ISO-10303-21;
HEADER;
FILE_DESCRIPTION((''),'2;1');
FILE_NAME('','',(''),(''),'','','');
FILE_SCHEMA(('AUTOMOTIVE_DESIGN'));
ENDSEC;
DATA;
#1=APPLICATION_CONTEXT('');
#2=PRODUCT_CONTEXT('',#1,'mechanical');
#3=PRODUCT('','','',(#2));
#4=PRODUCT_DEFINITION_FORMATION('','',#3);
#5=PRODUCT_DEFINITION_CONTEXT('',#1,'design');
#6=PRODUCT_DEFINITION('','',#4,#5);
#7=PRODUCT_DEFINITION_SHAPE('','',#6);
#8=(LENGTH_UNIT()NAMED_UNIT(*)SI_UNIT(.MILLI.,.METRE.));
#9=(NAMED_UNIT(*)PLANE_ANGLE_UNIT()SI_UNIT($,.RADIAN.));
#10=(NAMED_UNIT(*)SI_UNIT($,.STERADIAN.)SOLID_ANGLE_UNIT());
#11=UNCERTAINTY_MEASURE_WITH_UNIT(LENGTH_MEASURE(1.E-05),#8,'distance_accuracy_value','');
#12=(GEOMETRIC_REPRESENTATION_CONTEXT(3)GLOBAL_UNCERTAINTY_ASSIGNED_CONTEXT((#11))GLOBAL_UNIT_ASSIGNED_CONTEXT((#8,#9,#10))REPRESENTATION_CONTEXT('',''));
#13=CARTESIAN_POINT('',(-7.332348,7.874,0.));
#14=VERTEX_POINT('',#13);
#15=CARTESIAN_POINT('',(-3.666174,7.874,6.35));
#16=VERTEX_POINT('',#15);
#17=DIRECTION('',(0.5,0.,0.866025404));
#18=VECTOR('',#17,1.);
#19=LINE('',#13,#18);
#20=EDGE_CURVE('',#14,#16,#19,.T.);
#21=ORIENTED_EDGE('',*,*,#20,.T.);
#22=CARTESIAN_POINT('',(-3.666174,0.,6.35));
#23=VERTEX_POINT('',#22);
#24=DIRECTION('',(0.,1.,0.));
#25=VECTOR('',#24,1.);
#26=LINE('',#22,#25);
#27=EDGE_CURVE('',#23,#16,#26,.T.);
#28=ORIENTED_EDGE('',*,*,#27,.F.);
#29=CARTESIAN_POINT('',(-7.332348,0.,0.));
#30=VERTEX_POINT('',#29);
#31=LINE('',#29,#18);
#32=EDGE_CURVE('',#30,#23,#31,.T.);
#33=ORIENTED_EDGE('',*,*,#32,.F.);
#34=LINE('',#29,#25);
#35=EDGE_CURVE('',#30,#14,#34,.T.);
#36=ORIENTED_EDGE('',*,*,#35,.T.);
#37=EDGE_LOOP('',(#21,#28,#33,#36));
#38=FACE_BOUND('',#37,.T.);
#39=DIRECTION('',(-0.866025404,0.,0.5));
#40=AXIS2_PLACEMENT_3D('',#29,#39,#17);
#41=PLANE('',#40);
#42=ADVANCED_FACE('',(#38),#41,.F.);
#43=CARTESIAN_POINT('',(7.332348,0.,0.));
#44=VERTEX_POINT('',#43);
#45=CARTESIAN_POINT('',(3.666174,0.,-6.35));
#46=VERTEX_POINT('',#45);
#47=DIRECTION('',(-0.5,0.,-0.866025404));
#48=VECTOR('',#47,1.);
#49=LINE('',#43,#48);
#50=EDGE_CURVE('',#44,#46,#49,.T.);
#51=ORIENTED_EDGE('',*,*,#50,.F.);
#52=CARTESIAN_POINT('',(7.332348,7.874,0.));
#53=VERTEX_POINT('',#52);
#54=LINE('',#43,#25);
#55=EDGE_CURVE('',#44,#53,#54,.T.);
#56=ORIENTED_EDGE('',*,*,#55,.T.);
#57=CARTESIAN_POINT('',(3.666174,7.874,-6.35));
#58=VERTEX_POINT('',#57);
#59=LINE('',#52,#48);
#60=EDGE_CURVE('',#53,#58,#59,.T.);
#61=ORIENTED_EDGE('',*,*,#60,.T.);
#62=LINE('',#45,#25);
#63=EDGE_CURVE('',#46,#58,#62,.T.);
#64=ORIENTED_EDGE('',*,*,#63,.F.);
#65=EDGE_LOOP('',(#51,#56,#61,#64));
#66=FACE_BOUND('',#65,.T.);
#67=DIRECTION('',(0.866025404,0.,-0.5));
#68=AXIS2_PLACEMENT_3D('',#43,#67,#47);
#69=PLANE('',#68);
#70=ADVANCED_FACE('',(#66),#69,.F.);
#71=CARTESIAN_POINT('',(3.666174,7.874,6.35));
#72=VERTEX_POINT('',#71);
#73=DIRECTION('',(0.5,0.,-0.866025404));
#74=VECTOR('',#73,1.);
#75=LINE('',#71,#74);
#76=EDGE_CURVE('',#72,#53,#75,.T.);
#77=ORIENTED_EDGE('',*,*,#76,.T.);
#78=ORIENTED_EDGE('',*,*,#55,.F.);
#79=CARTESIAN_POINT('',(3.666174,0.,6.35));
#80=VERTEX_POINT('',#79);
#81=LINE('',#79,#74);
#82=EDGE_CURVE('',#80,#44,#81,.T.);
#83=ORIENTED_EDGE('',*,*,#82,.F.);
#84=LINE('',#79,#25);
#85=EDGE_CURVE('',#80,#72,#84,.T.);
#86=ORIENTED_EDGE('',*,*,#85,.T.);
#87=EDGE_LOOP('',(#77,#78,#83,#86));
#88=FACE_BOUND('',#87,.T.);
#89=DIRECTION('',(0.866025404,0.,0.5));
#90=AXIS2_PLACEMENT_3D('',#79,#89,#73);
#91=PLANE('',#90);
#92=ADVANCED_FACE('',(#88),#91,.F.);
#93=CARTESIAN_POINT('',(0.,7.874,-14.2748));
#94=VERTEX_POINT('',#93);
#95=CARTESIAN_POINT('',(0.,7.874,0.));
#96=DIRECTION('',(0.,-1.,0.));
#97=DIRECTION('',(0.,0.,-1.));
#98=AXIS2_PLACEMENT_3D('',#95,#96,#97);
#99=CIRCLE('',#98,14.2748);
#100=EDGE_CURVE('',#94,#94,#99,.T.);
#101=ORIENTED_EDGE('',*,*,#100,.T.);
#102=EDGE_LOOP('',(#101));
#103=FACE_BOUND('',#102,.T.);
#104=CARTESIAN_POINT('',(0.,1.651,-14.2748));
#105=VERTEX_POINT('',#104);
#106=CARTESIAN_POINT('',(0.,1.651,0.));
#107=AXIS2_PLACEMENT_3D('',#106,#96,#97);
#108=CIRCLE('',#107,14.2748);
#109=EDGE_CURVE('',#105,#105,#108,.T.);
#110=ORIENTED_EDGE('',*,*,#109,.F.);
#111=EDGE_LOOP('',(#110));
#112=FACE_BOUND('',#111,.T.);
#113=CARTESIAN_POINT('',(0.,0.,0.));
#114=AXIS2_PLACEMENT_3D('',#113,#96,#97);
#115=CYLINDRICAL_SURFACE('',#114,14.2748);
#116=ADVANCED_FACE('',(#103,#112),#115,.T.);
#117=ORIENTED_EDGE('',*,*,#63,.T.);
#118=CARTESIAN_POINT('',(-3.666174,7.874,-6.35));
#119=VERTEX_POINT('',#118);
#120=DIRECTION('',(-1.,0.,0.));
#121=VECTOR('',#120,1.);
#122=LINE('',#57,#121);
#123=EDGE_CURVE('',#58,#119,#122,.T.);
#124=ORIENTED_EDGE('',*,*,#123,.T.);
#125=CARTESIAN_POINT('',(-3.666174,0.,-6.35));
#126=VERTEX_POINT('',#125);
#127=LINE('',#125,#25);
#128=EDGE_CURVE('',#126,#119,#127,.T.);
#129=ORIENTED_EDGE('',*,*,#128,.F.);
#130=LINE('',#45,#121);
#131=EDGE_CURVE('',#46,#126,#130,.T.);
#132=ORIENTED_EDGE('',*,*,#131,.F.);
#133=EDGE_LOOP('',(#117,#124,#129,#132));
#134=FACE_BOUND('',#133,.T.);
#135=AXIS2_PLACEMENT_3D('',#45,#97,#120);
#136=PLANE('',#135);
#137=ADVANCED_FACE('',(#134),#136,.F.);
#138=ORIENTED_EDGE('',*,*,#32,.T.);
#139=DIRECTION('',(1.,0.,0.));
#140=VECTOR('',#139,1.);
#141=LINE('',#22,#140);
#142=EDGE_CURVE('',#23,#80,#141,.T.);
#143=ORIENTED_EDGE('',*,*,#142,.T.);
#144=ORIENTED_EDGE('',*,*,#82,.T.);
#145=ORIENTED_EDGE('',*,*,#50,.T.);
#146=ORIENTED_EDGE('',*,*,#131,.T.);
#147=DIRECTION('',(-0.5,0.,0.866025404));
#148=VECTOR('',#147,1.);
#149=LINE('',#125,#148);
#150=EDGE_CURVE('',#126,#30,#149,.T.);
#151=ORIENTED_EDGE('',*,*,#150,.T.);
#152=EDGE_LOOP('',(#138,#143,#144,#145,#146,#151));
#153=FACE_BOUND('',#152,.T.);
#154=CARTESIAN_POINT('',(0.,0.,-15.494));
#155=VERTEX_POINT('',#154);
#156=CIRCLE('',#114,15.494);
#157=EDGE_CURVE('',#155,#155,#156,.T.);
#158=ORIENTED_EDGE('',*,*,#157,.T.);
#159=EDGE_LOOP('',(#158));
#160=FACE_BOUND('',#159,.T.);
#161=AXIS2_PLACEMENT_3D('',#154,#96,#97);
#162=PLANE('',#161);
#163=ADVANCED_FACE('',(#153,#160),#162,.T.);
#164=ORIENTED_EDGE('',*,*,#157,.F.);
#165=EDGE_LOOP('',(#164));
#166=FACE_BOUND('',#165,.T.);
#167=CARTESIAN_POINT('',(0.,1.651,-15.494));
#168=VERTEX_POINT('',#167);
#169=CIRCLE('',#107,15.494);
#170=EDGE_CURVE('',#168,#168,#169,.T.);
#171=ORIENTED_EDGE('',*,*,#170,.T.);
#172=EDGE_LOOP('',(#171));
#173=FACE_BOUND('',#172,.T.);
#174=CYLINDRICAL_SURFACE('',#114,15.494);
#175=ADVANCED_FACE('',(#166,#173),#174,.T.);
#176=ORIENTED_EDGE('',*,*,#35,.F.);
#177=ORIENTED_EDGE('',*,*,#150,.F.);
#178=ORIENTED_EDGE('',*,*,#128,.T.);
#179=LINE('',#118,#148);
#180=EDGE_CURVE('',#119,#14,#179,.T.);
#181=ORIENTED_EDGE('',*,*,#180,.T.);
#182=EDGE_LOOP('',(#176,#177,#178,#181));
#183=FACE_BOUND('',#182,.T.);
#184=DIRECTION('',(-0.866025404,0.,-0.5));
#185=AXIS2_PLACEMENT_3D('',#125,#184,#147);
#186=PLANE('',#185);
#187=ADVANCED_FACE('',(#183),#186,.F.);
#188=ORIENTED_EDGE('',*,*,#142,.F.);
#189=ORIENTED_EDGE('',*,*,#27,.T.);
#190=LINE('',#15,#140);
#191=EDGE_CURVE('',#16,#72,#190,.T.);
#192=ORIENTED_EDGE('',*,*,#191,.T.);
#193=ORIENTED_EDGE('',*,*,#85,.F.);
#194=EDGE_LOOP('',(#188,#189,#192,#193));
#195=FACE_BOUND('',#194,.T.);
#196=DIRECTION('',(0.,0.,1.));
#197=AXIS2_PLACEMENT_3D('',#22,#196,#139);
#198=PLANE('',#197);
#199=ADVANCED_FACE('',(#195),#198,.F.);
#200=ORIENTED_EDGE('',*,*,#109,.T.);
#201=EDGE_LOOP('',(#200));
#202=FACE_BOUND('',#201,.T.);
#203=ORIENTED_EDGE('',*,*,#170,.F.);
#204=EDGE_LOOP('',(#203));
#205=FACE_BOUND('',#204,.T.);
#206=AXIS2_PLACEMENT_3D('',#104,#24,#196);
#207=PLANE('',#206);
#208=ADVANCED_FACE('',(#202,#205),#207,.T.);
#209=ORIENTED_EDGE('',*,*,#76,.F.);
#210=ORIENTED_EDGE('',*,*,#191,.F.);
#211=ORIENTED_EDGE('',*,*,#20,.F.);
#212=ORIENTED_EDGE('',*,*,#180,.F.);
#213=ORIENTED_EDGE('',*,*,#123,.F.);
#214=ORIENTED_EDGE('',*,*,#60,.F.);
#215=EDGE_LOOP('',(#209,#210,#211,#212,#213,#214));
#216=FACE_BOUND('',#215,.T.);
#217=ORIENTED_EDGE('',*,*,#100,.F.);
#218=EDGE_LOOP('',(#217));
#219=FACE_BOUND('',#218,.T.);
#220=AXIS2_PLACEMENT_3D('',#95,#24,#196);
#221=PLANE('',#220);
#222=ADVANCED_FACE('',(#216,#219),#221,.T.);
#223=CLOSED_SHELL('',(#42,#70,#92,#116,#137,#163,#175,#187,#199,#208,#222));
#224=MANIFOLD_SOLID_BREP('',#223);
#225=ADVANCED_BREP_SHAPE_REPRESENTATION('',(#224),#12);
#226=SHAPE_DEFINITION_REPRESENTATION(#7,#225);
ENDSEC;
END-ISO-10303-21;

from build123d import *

# Parameters (mm, degrees)
CUT_EXTRUDE1_DEPTH = 24.28364121


with BuildPart() as part:
    # Sketch3 → Revolve1 (revolve)
    with BuildSketch(Plane(origin=(0, 0, 0), x_dir=(0, 0, -1), z_dir=(1, 0, 0))):
        Polygon((0, 7.874), (14.2748, 7.874), (14.2748, 1.651), (15.494, 1.651), (15.494, 0), (0, 0), align=None)
    revolve(axis=Axis((0, 0, 0), (0, 1, 0)))

    # Sketch4 → Cut-Extrude1 (cut, through all)
    with BuildSketch(Plane(origin=(0, 7.874, 0), x_dir=(1, 0, 0), z_dir=(0, 1, 0))):
        Polygon((-3.666174209, 6.35), (-7.332348419, 0), (-3.666174209, -6.35), (3.666174209, -6.35), (7.332348419, 0), (3.666174209, 6.35), align=None)
    extrude(amount=-CUT_EXTRUDE1_DEPTH, mode=Mode.SUBTRACT)


solid = part.part
